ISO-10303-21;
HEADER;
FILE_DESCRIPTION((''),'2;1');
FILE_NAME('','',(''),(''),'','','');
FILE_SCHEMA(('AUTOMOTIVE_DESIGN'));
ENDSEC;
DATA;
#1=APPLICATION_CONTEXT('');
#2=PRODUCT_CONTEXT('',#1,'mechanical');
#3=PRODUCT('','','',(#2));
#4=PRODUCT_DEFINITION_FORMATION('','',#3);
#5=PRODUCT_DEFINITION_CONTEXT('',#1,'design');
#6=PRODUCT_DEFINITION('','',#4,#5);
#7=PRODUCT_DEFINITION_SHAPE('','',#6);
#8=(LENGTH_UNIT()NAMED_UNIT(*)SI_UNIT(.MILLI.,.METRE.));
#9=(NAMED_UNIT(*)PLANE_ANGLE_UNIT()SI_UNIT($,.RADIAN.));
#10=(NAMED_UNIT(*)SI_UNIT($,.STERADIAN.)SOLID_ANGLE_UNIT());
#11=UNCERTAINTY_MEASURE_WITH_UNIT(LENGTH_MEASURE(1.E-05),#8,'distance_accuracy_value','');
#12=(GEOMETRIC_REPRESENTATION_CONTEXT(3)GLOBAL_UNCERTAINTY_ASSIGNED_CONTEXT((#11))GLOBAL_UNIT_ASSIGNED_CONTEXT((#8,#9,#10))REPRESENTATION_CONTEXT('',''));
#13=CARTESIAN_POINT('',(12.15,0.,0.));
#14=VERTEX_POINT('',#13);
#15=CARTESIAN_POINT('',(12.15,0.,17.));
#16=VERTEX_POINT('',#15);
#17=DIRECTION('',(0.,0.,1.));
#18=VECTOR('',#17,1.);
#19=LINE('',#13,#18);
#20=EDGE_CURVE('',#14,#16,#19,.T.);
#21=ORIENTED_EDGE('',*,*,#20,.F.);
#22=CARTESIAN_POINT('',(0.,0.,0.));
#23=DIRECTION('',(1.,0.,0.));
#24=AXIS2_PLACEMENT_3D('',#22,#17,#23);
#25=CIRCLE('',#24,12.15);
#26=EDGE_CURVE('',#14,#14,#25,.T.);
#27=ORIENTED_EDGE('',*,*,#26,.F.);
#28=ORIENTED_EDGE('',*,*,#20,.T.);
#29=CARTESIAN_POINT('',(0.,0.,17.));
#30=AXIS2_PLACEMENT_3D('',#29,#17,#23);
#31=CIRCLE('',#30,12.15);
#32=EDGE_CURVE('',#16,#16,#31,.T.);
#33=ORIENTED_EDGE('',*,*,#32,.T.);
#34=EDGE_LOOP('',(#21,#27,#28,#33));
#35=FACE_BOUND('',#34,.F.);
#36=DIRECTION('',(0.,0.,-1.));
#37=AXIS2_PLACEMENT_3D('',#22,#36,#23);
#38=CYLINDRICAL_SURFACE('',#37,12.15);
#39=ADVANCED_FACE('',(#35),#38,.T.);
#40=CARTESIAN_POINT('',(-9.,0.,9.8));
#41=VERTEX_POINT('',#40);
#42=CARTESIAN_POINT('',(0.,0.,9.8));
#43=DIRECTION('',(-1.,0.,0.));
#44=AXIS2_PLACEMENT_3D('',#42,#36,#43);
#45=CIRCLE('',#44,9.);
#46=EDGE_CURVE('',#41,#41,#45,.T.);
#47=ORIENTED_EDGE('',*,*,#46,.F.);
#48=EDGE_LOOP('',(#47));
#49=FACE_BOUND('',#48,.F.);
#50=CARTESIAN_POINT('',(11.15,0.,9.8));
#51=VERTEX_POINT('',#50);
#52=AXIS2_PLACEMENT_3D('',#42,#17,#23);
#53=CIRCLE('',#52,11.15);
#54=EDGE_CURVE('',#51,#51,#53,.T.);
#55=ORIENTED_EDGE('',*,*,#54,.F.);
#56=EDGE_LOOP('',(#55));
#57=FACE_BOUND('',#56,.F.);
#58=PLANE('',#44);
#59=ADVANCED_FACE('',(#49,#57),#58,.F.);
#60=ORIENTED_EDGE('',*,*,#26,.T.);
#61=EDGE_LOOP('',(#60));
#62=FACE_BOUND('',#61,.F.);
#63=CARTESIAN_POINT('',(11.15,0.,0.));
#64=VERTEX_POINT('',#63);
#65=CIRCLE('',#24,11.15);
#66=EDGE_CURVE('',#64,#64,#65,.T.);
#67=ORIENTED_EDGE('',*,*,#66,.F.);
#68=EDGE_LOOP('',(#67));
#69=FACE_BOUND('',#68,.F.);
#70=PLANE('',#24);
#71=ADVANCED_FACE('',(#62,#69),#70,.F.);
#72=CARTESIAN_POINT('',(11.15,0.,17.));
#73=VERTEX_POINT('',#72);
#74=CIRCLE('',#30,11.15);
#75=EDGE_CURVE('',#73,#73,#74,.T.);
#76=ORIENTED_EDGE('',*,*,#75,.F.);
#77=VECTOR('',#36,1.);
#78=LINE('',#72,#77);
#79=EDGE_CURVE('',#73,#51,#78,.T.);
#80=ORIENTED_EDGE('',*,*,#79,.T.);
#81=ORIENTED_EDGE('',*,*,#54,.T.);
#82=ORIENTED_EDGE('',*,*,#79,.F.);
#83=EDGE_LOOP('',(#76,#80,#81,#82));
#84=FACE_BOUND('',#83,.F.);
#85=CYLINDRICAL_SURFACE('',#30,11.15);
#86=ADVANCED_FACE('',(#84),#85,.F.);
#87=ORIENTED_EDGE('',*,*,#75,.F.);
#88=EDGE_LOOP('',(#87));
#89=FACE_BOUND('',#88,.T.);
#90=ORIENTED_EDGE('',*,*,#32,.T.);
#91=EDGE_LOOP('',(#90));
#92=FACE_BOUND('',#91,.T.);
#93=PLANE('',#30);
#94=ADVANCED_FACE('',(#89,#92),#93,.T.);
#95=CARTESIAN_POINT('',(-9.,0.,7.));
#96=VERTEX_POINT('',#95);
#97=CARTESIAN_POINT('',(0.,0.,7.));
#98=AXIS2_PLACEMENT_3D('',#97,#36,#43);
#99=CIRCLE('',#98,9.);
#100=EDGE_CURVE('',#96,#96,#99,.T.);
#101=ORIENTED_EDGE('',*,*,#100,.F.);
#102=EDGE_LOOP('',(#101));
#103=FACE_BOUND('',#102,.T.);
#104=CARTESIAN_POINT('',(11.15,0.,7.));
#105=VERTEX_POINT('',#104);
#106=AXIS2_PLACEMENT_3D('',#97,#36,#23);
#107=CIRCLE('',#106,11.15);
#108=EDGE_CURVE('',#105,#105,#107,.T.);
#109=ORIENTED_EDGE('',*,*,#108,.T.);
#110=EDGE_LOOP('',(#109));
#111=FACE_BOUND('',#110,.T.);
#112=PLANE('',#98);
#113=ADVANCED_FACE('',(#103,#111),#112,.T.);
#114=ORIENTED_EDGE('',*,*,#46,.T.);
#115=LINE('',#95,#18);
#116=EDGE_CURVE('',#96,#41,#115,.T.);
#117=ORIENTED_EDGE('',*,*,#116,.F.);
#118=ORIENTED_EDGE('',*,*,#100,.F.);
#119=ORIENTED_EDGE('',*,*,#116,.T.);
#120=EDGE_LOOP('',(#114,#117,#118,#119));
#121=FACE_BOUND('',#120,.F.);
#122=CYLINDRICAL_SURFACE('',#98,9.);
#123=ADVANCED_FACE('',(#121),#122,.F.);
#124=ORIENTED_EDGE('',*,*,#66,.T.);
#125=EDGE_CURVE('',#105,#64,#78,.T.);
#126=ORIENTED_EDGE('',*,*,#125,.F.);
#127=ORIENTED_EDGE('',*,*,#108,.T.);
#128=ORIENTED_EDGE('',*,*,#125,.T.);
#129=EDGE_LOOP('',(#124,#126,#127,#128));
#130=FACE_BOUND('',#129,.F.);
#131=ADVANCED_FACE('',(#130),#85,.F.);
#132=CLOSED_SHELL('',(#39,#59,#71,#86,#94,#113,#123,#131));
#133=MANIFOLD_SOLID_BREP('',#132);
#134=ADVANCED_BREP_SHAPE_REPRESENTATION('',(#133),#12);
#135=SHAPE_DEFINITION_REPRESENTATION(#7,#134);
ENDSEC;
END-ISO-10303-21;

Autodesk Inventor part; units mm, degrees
ref_plane "YZ Plane" through (0, 0, 0) normal (1, 0, 0) x (0, 1, 0)
ref_plane "XZ Plane" through (0, 0, 0) normal (0, 1, 0) x (-1, 0, 0)
sketch "Sketch1" plane through (0, 0, 0) normal (0, 0, 1) x (1, 0, 0)
  circle A0 centre (0, 0) radius 12.15
  dimension "d0" = 24.3
extrude "Extrusion1" add sketch "Sketch1" along normal blind 17
sketch "Sketch2" plane through (0, 0, 17) normal (0, 0, 1) x (1, 0, 0)
  circle A0 centre (0, 0) radius 11.15
  dimension "d3" = 22.3
extrude "Extrusion2" cut sketch "Sketch2" against normal blind 20
ref_plane "Work Plane1" through (0, 0, 7) normal (0, 0, -1) x (-1, 0, 0)
sketch "Sketch3" plane through (0, 0, 7) normal (0, 0, -1) x (-1, 0, 0)
  circle A0 centre (0, 0) radius 11.15 projected
  circle A1 centre (0, 0) radius 9
  dimension "d7" = 18
extrude "Extrusion3" add sketch "Sketch3" against normal blind 2.8
properties part number "_3DPrint"
